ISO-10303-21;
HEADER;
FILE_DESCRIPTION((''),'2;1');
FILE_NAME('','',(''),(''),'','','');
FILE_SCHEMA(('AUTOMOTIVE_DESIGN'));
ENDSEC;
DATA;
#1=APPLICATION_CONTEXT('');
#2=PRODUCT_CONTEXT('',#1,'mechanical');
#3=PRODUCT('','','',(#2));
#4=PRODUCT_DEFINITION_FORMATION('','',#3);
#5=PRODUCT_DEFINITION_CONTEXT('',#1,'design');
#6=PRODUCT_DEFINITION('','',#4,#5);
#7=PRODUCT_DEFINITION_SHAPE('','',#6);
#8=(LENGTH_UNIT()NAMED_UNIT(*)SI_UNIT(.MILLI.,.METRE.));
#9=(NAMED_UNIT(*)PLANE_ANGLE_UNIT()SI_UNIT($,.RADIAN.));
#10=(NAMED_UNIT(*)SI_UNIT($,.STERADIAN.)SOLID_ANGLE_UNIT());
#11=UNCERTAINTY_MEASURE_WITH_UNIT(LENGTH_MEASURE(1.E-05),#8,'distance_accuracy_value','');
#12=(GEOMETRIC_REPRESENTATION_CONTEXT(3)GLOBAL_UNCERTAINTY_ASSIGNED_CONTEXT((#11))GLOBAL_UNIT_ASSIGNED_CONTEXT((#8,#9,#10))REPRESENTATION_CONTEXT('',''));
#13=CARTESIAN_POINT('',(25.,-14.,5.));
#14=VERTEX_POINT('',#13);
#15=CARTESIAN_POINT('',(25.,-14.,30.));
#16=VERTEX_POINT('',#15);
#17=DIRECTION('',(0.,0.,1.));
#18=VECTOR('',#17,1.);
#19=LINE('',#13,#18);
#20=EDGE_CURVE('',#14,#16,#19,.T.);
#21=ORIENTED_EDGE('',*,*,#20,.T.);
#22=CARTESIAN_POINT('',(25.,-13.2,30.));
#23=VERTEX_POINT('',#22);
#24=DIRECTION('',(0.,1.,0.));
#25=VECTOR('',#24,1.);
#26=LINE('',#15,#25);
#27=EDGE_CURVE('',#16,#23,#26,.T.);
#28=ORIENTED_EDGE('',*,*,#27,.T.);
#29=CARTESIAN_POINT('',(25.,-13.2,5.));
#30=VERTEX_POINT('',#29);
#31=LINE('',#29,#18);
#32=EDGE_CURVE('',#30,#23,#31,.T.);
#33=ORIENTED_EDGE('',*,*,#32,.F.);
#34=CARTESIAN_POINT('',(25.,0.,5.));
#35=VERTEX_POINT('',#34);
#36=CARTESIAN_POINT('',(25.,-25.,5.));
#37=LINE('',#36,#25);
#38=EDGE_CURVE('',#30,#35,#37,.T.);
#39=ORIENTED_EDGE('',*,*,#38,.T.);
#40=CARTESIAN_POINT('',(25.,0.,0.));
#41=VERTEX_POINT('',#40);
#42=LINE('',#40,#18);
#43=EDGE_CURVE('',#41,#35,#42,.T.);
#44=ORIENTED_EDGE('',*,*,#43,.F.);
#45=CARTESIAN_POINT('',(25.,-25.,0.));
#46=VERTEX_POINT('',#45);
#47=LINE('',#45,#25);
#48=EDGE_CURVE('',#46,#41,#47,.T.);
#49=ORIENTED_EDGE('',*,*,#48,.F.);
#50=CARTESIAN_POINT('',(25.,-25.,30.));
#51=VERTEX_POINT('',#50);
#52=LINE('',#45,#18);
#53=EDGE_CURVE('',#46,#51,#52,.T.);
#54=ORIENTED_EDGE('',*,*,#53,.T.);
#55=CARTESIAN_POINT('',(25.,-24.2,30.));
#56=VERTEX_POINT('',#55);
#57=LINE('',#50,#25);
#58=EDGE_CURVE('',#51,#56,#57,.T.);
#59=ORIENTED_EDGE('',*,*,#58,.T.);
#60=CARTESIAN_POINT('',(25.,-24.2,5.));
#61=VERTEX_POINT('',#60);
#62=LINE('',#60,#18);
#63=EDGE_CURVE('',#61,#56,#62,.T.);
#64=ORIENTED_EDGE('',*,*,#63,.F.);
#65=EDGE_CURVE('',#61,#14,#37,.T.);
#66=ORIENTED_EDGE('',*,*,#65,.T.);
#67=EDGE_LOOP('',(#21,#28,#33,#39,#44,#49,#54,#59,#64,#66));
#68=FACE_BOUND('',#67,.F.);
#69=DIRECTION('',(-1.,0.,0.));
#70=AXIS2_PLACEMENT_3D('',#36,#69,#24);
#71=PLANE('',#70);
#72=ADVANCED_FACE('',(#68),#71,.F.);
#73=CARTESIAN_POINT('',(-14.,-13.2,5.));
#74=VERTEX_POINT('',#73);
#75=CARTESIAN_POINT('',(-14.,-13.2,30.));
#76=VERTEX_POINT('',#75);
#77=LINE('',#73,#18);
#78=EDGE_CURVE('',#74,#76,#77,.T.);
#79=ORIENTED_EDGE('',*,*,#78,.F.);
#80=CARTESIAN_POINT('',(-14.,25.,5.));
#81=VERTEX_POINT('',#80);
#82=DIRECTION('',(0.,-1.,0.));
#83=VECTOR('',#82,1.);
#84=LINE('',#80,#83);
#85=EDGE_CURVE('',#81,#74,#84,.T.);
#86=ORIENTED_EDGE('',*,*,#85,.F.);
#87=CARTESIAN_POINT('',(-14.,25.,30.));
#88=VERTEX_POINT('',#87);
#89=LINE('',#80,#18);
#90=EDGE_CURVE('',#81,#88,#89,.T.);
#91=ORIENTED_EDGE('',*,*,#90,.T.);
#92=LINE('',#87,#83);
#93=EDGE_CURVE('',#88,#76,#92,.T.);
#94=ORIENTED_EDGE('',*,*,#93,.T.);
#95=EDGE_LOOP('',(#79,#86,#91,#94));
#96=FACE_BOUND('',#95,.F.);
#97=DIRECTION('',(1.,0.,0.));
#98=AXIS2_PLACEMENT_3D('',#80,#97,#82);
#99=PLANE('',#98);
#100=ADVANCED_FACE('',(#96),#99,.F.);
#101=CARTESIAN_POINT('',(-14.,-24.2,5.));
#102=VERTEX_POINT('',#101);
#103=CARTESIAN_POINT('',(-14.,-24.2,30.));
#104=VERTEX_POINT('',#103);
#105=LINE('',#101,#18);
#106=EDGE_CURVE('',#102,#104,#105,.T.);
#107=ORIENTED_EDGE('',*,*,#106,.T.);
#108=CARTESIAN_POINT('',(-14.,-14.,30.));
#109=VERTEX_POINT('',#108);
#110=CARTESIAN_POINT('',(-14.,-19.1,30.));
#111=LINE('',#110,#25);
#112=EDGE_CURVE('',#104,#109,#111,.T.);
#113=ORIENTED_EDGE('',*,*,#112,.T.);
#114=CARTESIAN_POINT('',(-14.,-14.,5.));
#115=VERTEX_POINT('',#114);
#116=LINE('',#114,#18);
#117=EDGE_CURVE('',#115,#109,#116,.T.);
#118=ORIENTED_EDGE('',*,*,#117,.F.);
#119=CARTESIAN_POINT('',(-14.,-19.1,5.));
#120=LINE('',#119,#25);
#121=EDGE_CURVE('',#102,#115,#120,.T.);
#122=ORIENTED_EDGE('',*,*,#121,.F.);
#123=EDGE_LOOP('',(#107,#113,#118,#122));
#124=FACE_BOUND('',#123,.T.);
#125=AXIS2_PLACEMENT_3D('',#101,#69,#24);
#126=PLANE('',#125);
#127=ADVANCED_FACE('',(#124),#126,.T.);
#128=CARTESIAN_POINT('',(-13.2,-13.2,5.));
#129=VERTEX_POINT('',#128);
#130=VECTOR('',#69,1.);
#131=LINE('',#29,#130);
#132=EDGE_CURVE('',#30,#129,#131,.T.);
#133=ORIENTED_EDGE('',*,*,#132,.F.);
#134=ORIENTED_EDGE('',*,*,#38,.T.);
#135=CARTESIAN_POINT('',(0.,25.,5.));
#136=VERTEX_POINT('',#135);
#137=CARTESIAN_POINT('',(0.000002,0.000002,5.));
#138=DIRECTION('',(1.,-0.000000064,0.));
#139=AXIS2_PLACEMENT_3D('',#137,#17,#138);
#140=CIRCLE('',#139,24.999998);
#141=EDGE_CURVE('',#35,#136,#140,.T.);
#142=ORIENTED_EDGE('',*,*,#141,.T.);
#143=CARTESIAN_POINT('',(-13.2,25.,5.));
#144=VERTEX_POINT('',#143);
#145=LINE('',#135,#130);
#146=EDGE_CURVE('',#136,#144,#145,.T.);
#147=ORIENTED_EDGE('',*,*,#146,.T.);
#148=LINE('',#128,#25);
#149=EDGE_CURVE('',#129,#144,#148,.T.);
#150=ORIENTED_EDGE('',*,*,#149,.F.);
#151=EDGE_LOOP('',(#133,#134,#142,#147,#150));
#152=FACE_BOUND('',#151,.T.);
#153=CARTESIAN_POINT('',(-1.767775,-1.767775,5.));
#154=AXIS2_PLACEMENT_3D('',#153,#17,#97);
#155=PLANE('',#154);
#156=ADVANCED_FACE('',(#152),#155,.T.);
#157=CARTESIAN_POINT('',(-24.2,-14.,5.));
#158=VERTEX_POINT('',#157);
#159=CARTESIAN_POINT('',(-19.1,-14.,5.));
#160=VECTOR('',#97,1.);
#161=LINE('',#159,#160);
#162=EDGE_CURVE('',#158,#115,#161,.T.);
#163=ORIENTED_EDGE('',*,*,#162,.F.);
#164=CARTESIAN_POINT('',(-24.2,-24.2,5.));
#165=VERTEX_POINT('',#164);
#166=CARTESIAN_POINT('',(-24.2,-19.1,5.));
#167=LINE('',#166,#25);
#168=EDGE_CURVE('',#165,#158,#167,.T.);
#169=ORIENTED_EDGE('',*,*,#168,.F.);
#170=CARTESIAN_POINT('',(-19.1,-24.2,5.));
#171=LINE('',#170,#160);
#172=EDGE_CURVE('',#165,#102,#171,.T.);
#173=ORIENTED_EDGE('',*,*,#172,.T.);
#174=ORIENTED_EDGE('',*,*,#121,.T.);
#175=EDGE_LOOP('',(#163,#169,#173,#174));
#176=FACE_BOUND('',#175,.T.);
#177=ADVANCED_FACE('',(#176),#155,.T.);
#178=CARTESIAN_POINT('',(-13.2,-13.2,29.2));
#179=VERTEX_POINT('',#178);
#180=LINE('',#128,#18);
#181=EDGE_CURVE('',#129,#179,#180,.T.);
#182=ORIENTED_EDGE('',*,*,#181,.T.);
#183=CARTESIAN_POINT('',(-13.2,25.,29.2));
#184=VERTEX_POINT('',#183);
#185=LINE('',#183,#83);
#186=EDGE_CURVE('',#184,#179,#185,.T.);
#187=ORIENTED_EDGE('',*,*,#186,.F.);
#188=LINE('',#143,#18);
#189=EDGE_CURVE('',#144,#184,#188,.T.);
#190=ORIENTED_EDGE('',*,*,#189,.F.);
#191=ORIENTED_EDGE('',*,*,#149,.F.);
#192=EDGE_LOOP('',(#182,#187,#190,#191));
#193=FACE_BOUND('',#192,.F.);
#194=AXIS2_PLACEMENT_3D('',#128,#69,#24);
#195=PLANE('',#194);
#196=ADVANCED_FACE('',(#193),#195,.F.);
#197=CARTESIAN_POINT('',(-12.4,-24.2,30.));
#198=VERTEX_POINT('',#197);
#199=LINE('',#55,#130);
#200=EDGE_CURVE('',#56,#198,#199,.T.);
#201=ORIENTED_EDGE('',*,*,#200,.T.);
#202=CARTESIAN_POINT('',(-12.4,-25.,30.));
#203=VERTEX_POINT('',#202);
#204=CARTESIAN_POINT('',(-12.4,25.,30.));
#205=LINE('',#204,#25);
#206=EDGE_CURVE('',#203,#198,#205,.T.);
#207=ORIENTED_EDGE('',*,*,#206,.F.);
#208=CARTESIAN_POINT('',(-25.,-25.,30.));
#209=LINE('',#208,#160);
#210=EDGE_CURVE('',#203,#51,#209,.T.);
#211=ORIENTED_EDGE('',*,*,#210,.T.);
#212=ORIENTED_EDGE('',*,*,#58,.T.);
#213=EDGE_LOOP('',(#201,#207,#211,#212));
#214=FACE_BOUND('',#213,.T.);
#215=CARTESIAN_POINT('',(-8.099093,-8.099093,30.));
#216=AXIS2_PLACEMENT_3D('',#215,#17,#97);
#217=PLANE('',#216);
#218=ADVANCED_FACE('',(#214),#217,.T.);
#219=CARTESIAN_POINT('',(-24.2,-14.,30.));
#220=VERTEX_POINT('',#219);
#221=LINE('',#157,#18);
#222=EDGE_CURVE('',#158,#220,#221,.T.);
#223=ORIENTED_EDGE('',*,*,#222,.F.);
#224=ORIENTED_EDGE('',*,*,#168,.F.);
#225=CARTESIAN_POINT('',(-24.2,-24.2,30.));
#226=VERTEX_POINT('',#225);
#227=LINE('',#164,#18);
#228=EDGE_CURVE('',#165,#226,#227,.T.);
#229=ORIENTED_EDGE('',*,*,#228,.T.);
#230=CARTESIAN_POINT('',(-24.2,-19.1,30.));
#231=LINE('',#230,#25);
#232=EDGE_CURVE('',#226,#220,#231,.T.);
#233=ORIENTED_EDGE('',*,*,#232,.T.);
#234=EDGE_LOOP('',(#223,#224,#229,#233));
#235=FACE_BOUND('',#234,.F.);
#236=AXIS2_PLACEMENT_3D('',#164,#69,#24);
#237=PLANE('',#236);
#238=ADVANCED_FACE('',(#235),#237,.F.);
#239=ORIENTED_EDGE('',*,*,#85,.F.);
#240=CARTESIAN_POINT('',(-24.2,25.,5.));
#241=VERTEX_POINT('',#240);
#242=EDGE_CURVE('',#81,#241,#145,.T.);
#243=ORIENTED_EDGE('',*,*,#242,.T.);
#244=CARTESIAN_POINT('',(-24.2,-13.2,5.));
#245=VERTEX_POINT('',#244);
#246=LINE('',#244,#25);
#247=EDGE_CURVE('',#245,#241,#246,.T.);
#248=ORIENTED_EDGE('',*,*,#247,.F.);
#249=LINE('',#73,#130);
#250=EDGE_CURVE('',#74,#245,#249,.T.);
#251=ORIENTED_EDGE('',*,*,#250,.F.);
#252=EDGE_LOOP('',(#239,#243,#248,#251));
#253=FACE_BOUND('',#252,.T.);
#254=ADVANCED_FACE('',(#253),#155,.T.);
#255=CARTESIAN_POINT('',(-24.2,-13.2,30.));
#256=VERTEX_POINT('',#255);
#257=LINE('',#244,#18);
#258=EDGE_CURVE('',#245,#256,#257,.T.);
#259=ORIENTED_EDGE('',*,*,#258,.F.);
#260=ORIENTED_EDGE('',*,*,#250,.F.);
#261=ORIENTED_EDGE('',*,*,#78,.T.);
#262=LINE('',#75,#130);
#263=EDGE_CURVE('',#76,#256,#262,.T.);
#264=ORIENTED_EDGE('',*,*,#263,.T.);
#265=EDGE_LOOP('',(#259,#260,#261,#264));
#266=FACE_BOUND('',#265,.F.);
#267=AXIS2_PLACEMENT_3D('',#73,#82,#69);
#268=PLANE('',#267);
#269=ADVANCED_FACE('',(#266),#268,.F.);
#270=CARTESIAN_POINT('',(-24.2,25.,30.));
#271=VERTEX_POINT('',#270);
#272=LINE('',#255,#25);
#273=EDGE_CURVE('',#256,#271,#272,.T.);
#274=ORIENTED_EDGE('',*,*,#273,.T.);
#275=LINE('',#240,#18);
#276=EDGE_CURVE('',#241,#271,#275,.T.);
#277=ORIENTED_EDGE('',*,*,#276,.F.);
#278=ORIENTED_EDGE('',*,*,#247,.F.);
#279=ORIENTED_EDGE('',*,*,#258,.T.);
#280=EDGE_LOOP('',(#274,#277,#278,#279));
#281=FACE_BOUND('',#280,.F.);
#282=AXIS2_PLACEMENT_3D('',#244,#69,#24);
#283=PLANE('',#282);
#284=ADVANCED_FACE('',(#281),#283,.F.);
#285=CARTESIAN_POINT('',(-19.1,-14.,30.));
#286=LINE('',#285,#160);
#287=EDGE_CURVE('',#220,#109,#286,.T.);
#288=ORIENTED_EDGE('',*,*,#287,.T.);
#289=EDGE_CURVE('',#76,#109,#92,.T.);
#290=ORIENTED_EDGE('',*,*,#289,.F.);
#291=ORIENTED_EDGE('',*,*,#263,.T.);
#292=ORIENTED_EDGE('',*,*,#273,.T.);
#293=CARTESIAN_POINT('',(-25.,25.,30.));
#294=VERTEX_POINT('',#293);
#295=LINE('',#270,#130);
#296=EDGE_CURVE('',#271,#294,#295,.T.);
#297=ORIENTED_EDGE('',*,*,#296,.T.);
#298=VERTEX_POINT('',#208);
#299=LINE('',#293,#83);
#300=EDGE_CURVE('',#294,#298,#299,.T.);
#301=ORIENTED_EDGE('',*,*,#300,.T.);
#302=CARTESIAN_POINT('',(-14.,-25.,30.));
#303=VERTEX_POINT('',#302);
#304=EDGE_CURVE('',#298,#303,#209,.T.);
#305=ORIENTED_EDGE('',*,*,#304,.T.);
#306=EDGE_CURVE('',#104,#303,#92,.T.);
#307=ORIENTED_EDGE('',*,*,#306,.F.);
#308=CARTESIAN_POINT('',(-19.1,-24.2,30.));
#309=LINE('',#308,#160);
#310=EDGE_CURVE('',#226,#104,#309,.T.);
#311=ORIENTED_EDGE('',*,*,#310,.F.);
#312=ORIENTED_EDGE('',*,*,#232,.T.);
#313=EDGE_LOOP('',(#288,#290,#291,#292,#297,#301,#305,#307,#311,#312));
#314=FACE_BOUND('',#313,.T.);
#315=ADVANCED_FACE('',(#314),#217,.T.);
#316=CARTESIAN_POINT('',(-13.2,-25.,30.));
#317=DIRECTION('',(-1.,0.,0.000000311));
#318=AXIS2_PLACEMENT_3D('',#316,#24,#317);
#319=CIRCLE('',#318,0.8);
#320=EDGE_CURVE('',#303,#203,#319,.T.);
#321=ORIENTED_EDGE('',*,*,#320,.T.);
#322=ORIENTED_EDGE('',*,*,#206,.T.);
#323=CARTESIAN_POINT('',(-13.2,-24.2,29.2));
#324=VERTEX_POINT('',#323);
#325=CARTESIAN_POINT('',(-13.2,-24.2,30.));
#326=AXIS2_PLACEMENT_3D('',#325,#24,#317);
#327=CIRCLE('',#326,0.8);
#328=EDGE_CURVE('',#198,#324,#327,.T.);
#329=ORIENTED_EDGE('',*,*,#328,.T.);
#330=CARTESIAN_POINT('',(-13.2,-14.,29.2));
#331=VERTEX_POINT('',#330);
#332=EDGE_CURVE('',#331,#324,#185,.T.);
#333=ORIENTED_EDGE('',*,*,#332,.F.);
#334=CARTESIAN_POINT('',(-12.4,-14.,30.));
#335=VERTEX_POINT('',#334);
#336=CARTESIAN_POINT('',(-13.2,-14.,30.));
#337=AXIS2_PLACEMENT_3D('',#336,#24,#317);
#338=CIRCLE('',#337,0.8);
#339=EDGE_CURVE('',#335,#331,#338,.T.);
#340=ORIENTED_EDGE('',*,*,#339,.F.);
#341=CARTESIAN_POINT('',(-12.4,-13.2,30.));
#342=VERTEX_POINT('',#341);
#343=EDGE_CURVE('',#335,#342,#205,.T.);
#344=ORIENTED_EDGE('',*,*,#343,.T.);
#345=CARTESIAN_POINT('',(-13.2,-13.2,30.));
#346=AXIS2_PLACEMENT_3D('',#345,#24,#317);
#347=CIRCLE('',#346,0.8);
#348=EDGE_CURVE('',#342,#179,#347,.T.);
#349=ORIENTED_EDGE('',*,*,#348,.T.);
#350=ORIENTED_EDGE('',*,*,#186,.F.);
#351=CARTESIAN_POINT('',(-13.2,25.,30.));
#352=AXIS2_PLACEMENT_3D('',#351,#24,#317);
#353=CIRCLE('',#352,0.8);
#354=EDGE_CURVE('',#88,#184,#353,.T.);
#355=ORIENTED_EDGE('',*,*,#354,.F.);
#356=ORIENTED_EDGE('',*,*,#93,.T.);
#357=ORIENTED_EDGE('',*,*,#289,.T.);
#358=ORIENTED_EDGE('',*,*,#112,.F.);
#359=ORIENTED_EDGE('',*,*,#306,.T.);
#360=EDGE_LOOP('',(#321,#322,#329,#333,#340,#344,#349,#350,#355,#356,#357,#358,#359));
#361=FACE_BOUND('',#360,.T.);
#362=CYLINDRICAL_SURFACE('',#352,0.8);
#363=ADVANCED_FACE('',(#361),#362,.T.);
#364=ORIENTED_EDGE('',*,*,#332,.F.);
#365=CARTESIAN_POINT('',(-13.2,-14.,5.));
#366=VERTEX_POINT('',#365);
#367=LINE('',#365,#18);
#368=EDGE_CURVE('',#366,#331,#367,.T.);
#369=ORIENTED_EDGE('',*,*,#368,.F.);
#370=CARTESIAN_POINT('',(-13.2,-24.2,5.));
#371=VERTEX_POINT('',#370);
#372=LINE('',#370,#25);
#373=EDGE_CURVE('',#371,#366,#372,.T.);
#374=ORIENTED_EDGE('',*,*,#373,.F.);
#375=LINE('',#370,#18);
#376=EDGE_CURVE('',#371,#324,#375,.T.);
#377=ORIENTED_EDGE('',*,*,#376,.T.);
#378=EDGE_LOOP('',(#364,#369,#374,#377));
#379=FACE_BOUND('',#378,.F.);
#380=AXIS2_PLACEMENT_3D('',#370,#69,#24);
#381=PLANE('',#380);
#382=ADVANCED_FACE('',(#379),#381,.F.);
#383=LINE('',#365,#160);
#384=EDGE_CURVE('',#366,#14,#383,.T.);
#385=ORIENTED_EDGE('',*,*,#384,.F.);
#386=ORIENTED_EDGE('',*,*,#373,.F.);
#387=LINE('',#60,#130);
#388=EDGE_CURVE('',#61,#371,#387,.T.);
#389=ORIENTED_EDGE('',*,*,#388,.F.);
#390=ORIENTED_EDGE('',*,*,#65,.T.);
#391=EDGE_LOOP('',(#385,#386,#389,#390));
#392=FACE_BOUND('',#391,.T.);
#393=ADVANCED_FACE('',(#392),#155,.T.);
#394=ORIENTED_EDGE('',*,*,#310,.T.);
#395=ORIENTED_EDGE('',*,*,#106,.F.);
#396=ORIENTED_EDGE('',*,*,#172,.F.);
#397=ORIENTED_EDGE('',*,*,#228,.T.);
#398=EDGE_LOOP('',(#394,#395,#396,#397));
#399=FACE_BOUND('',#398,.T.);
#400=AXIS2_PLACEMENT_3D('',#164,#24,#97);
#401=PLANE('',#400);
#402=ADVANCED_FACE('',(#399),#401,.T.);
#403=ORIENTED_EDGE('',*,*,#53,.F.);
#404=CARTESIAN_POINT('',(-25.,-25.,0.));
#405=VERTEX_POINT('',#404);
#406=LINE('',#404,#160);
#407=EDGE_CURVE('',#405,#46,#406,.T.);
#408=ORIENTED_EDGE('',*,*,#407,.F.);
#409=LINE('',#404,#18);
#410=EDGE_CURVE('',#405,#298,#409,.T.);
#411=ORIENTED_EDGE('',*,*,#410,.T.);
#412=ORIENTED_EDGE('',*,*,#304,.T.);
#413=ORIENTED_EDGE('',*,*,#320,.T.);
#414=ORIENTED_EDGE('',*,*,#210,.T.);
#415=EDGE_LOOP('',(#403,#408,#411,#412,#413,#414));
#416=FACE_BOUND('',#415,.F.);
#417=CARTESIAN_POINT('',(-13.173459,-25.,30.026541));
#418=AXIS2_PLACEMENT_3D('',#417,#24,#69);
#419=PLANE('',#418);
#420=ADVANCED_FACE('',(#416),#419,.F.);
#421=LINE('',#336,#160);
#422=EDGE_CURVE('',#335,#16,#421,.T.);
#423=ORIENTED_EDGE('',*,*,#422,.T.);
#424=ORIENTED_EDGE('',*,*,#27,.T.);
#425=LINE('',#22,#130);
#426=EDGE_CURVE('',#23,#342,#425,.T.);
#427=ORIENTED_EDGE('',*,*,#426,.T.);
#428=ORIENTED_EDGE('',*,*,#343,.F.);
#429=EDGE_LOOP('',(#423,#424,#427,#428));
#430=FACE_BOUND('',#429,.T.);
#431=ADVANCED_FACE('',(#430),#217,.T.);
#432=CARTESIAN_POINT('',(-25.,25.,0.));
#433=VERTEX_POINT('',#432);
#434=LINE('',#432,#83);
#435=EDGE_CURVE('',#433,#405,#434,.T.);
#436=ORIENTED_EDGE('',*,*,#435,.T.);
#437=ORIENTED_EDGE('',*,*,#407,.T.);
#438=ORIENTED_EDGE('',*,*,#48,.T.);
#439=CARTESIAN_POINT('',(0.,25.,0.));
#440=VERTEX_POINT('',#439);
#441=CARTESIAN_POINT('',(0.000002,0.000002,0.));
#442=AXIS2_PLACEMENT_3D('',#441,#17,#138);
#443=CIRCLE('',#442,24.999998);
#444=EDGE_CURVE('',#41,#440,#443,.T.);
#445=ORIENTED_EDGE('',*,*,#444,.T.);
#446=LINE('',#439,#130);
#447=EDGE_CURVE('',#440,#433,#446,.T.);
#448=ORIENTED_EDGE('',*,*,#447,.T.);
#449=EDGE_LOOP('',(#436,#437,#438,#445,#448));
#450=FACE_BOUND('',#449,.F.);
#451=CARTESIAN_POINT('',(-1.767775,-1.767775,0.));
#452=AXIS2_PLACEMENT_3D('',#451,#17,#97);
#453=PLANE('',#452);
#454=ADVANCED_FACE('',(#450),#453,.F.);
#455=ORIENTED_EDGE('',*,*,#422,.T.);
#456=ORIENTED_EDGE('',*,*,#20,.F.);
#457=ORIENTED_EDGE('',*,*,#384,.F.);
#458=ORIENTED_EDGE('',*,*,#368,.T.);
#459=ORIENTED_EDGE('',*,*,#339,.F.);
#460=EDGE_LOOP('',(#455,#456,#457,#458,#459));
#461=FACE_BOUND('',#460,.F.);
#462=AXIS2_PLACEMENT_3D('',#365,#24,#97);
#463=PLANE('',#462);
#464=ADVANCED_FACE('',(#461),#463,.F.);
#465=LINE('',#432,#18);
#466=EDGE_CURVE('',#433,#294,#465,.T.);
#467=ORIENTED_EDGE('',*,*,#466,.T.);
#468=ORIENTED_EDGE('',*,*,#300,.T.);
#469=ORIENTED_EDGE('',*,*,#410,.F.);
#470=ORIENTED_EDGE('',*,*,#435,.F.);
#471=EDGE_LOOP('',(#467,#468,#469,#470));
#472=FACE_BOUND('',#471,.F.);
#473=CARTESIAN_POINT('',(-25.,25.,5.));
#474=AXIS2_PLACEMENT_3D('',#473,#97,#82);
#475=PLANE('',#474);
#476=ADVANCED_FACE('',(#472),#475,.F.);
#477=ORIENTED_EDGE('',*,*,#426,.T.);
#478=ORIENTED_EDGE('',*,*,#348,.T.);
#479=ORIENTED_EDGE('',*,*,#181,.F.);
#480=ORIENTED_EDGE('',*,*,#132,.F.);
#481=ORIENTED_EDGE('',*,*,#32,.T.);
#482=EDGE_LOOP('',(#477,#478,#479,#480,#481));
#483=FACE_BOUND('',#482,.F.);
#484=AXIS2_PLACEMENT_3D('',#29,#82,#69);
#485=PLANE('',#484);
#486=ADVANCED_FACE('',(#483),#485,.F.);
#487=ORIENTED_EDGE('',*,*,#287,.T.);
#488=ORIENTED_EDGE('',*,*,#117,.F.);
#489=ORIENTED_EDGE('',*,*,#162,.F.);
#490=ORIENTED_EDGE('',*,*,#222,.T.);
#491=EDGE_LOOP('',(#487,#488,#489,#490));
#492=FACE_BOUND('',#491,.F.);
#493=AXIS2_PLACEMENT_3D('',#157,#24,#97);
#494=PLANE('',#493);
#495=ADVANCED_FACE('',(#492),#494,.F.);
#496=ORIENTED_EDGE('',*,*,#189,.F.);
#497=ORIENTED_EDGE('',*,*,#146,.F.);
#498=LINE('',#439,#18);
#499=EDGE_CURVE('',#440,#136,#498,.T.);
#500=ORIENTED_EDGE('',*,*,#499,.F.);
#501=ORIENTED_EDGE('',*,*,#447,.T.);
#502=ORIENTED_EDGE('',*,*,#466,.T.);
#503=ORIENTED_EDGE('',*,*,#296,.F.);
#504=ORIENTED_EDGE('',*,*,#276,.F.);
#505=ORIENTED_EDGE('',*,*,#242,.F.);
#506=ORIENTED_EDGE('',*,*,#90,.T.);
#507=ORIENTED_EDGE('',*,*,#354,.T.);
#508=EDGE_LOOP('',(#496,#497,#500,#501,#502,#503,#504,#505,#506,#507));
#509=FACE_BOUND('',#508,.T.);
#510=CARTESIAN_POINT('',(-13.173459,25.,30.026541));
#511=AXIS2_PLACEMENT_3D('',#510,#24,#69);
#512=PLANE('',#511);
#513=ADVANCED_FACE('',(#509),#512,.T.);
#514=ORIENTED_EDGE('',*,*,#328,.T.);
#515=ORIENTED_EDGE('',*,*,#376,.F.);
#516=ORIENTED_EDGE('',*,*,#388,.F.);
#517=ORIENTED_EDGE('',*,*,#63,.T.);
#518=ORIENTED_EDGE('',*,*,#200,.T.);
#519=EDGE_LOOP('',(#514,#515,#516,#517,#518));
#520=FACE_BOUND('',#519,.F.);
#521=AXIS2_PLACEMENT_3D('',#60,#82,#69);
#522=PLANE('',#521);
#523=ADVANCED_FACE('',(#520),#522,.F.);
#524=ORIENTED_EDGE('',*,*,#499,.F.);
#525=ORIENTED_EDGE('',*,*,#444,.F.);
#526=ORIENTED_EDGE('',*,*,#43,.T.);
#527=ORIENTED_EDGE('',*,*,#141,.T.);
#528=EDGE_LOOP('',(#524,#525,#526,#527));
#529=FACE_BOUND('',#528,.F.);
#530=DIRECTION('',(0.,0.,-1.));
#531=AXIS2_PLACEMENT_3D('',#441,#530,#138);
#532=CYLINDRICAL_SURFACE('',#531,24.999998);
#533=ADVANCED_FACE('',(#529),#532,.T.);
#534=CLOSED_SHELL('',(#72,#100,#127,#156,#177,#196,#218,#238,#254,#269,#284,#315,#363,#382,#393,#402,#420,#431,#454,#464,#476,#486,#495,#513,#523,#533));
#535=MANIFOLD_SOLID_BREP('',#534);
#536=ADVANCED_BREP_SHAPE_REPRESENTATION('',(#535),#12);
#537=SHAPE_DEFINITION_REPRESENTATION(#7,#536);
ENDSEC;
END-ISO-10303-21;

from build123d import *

# Parameters (mm, degrees)
F1_DEPTH = 5
F2_W     = 10.2
F2_H     = 10.2
F3_DEPTH = 25
F5_DEPTH = 50


with BuildPart() as f1:
    # F0 (on Top) → F1 (new body)
    with BuildSketch(Plane.XY):
        with BuildLine():
            Line((0, 25), (-25, 25))
            Line((-25, 25), (-25, -25))
            Line((-25, -25), (25, -25))
            Line((25, -25), (25, 0))
            ThreePointArc((25, 0), (17.67767, 17.67767), (0, 25))
        make_face()
    extrude(amount=F1_DEPTH)

    # F2 (on face) → F3 (join)
    with BuildSketch(Plane.XY.offset(5)):
        Polygon((-24.2, -13.2), (-24.2, 25), (-25, 25), (-25, -25), (25, -25), (25, -24.2), (-13.2, -24.2), (-13.2, -14), (25, -14), (25, -13.2), (-13.2, -13.2), (-13.2, 25), (-14, 25), (-14, -13.2), align=None)
        with Locations((-19.1, -19.1)):
            Rectangle(F2_W, F2_H, mode=Mode.SUBTRACT)
    extrude(amount=F3_DEPTH)

    # F4 (on face) → F5 (join)
    with BuildSketch(Plane(origin=(0, 25, 0), x_dir=(-1, 0, 0), z_dir=(0, 1, 0))):
        with BuildLine():
            Line((13.2, 30), (14, 30))
            ThreePointArc((14, 30), (12.634315, 30.565685), (13.2, 29.2))
            Line((13.2, 29.2), (13.2, 30))
        make_face()
    extrude(amount=-F5_DEPTH)


solid = f1.part
